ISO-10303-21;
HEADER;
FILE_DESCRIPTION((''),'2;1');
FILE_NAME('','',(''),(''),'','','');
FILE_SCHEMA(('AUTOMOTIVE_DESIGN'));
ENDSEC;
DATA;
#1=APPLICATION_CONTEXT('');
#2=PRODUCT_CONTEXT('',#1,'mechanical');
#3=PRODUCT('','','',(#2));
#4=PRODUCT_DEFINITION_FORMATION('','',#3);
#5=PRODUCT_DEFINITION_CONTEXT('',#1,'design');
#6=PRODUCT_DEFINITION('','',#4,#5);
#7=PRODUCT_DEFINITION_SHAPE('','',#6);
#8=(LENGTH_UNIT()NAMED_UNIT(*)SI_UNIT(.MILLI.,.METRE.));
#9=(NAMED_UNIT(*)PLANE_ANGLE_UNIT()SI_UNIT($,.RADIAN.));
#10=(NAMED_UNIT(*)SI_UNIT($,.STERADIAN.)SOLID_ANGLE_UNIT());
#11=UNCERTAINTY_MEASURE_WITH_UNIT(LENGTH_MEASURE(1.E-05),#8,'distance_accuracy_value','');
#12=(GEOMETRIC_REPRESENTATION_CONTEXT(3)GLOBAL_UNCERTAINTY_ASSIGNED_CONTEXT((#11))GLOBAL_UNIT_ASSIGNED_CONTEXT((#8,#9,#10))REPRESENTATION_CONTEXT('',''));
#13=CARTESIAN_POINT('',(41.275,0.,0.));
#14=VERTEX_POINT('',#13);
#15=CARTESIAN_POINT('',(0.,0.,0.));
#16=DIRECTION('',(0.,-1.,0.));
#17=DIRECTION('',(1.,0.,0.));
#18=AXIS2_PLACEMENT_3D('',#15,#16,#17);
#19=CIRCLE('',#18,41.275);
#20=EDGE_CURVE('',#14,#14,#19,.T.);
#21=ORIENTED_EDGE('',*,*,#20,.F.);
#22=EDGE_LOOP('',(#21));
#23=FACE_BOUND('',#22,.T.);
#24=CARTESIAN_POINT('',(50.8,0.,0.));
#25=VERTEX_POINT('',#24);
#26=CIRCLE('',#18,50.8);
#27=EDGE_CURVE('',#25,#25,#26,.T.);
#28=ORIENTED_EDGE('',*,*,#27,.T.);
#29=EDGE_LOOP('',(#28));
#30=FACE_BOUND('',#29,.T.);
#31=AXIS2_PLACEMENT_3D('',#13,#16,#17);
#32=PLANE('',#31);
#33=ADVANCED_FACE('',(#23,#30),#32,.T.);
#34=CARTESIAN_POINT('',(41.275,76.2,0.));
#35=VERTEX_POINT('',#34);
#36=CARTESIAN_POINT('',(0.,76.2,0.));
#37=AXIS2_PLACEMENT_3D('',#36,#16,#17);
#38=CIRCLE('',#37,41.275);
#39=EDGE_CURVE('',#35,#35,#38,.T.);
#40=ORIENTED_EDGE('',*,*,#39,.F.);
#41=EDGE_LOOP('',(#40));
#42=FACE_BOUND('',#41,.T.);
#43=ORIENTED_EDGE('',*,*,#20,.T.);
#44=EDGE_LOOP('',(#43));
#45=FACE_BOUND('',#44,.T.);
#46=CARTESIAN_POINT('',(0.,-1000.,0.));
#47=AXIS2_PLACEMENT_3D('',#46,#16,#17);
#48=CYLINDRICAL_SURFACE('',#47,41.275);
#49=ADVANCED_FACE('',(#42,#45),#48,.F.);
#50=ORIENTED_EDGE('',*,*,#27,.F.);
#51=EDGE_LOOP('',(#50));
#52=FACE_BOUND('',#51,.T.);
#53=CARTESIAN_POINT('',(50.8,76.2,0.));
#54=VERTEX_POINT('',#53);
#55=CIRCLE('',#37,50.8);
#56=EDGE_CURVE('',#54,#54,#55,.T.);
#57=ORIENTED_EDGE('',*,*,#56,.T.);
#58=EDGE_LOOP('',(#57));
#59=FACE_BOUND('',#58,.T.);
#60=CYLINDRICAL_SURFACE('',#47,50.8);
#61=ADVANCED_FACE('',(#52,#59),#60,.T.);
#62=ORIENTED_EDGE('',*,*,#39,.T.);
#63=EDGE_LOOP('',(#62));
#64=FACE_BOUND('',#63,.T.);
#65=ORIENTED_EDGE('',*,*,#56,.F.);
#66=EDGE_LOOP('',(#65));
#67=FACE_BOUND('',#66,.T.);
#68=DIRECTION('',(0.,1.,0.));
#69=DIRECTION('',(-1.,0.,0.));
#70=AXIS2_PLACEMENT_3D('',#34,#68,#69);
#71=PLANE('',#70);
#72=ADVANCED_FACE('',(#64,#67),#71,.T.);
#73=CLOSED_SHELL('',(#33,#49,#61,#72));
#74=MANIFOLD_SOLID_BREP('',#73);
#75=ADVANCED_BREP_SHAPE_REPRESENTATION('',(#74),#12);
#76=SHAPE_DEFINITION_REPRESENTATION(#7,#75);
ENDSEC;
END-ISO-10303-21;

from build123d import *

# Parameters (mm, degrees)
SKETCH1_W = 9.525
SKETCH1_H = 76.2


with BuildPart() as part:
    # Sketch1 → Revolve1 (revolve)
    with BuildSketch(Plane.XY):
        with Locations((46.0375, 38.1)):
            Rectangle(SKETCH1_W, SKETCH1_H)
    revolve(axis=Axis((0, -1000, 0), (0, 1, 0)))


solid = part.part
